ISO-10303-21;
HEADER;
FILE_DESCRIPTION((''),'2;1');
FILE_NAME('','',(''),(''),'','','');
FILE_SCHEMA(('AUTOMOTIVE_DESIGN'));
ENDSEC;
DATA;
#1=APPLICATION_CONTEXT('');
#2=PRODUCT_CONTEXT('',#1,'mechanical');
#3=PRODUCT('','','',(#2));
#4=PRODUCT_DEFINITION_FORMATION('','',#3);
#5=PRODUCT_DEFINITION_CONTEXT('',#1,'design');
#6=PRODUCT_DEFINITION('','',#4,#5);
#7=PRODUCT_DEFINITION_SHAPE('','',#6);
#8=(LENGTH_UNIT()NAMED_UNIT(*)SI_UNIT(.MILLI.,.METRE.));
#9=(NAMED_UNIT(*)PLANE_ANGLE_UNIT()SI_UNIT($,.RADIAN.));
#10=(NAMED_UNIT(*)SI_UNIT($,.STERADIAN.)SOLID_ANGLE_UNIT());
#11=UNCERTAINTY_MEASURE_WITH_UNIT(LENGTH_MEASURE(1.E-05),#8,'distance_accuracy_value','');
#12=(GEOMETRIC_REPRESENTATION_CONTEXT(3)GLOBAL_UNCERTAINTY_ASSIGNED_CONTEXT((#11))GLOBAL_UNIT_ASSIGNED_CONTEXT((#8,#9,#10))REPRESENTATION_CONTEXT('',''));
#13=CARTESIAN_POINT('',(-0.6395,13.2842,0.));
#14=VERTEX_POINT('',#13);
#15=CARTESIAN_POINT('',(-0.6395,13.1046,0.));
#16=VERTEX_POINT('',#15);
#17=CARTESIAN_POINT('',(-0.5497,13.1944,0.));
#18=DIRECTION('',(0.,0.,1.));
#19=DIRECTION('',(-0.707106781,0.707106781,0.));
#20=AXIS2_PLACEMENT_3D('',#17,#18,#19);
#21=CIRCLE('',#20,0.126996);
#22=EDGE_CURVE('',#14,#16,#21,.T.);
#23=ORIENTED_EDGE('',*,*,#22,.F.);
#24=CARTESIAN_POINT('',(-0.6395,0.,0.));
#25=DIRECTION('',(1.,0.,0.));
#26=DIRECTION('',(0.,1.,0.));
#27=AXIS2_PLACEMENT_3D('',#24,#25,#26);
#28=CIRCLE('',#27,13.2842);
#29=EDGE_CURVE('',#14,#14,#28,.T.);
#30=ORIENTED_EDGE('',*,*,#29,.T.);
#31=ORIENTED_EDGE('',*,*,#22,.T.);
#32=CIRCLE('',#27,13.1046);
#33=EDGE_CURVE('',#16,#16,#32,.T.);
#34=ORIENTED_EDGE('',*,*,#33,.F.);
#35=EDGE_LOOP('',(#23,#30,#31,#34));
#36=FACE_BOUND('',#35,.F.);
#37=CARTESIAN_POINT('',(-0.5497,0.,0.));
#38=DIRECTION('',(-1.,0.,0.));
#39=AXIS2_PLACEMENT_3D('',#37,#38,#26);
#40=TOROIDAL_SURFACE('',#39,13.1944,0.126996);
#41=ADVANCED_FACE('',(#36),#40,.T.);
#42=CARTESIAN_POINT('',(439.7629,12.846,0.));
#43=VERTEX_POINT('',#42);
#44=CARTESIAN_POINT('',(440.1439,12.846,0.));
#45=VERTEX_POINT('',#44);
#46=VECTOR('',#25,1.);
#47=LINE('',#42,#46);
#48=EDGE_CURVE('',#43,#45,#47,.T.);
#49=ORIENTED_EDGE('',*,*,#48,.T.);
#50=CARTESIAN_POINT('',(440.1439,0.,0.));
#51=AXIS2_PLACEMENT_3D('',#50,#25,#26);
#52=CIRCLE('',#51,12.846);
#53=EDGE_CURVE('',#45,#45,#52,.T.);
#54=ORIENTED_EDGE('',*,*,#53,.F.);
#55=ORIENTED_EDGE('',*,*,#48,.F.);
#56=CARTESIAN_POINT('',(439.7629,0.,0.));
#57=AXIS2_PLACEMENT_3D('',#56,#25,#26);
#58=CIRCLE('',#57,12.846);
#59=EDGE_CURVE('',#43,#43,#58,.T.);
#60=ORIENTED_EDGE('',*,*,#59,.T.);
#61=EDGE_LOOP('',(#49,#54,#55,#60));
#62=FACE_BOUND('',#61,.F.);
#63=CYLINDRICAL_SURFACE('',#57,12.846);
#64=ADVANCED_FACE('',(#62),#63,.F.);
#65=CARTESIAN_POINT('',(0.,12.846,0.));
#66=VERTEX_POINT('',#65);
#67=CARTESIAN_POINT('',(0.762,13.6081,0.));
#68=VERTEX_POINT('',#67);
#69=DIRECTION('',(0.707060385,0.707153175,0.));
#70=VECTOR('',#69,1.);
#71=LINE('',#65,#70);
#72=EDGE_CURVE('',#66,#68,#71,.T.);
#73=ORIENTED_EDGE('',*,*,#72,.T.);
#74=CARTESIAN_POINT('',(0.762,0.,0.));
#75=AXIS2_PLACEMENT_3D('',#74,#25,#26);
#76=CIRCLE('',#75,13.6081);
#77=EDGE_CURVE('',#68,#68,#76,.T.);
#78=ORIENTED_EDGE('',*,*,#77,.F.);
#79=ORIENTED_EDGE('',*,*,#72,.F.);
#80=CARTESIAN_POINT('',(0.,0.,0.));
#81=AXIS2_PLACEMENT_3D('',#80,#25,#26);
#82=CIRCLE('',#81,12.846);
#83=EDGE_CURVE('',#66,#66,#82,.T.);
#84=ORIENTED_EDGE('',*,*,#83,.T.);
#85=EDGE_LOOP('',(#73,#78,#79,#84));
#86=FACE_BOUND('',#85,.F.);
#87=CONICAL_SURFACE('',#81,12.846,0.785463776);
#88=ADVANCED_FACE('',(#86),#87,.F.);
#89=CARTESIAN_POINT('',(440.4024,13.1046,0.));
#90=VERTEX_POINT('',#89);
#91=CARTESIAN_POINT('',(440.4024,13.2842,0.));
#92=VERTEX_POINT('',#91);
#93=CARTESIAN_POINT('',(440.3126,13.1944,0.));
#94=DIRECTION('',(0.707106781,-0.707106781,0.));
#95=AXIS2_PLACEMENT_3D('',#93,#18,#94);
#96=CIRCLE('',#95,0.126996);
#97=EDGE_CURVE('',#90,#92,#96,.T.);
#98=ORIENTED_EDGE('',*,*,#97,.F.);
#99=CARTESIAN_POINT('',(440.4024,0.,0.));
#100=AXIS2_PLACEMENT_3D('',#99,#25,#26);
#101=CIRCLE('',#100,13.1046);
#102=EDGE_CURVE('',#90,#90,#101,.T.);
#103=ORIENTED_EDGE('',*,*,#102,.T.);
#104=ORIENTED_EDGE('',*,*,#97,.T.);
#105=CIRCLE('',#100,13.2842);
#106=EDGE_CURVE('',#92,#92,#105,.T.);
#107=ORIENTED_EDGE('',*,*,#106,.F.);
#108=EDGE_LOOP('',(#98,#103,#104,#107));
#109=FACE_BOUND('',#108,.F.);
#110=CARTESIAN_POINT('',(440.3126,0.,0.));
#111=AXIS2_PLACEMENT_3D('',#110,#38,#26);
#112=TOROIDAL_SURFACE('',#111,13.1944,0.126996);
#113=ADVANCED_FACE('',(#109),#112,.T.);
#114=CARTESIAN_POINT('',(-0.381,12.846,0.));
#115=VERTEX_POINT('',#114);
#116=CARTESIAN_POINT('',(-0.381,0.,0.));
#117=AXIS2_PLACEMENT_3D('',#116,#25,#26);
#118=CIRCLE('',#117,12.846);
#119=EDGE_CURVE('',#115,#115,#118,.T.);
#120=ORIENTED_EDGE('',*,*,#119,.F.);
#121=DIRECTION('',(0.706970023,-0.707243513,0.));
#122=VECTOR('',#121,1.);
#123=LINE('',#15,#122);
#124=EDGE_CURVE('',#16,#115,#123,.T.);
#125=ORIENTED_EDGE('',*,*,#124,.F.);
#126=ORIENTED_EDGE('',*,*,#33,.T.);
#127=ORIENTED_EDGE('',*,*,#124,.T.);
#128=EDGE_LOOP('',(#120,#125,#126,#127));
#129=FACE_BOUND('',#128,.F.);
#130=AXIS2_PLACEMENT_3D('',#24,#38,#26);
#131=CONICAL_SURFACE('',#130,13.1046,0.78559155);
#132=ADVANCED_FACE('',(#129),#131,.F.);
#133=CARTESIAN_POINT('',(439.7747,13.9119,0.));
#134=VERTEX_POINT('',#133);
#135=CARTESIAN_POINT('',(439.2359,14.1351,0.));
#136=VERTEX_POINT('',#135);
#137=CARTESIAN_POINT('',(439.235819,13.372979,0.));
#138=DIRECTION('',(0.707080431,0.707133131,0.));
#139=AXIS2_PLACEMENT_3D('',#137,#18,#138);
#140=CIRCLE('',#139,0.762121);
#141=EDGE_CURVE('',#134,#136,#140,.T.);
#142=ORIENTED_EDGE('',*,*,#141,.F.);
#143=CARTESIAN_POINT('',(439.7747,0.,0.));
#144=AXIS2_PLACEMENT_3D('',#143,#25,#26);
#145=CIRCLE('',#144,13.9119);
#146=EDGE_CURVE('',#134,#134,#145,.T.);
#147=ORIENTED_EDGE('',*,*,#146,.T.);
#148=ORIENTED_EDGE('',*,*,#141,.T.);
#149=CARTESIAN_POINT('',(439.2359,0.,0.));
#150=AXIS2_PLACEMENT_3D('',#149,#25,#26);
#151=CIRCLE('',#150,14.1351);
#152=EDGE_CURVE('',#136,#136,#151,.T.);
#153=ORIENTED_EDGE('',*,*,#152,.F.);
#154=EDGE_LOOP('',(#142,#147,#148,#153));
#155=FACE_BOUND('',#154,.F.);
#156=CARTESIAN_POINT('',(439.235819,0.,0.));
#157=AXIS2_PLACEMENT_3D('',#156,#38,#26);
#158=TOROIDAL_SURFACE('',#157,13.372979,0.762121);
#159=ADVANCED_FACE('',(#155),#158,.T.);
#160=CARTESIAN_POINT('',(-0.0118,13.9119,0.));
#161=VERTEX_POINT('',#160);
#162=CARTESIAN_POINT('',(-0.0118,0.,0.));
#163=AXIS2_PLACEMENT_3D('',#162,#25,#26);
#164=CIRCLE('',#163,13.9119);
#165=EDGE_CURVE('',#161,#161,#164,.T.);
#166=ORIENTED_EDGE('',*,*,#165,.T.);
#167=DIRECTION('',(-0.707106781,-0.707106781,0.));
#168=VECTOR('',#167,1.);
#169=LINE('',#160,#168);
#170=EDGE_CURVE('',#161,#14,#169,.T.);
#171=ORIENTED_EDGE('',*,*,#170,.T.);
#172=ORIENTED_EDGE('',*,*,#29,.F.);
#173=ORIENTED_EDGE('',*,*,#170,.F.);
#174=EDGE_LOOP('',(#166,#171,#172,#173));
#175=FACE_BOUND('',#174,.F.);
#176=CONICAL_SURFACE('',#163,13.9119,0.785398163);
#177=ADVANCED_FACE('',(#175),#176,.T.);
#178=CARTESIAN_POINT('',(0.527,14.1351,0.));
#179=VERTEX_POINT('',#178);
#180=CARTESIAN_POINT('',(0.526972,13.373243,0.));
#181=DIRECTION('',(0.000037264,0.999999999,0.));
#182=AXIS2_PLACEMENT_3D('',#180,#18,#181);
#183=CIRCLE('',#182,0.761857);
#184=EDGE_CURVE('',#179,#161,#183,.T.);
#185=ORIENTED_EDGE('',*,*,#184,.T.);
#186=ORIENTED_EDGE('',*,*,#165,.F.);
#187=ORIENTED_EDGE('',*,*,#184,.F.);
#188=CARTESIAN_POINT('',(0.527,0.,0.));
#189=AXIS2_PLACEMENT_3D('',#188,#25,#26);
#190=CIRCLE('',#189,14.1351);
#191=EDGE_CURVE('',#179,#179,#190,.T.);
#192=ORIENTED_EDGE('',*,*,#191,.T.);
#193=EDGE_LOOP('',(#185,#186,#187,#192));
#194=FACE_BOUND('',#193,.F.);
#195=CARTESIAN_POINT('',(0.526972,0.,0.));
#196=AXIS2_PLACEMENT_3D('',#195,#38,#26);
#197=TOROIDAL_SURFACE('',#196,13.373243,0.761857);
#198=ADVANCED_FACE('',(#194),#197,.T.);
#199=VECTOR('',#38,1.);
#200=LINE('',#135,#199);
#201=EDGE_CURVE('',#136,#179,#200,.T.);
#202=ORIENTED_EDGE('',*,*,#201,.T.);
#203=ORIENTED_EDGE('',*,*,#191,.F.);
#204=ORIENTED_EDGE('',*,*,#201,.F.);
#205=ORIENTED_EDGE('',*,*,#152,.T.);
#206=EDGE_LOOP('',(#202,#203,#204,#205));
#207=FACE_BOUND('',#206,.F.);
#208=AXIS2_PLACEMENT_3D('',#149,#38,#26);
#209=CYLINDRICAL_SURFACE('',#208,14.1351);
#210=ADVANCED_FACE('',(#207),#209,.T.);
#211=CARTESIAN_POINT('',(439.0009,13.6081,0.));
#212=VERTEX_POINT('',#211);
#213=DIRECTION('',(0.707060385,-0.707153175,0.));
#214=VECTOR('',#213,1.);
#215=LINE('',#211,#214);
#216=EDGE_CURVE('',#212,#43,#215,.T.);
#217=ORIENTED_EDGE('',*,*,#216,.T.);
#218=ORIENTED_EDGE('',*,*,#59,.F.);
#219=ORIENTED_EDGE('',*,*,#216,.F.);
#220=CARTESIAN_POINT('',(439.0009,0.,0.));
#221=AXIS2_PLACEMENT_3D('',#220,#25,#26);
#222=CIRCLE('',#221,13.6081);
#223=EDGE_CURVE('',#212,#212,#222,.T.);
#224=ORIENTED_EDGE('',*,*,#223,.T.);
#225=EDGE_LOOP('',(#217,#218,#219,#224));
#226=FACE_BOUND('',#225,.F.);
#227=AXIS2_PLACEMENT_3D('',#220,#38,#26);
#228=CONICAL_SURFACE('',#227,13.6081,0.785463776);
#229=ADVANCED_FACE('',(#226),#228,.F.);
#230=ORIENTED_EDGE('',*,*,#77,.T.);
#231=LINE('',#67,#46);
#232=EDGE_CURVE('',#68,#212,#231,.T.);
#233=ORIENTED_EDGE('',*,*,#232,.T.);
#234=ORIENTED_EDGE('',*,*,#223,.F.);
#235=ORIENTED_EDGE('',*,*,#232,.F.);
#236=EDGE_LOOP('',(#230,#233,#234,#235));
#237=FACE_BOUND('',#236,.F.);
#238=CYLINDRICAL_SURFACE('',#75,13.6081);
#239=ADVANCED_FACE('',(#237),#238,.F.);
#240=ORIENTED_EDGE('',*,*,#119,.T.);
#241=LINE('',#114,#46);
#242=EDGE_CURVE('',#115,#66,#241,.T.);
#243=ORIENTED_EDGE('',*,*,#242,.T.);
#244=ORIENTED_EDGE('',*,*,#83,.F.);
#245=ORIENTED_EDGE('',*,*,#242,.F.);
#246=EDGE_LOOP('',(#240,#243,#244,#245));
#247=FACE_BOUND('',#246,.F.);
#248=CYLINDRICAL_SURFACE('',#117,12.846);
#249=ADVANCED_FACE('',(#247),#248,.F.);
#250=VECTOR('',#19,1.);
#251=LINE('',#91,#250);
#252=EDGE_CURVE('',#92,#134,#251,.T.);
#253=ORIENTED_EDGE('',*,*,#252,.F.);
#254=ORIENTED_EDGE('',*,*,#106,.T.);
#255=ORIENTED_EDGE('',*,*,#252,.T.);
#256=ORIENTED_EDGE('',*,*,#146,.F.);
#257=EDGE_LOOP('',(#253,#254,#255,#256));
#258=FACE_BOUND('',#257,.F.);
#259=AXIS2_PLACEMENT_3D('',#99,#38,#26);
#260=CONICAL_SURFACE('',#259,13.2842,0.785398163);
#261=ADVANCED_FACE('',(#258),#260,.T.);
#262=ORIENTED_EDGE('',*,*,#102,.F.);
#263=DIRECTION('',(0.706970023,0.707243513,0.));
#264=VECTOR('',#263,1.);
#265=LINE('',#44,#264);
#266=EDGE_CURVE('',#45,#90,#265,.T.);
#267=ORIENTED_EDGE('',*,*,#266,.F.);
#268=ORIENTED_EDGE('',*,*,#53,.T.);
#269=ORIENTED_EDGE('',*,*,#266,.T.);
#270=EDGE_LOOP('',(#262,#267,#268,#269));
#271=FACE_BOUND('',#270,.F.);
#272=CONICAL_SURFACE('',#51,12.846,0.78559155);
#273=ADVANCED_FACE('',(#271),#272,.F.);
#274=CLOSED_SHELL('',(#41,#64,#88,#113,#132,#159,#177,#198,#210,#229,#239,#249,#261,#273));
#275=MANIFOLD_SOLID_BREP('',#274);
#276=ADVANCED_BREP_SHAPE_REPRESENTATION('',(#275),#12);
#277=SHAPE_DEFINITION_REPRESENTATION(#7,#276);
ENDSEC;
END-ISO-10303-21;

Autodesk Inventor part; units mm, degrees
sketch "Sketch_1" plane through (0, 0, 0) normal (0, 0, 1) x (1, 0, 0)
  line L0 (439.7629, 0) -> (0, 0)
  arc A0 (-0.6395, 13.2842) -> (-0.6395, 13.1046) centre (-0.5497, 13.1944) ccw
  line L1 (-0.6395, 13.1046) -> (-0.381, 12.846)
  line L2 (-0.381, 12.846) -> (0, 12.846)
  line L3 (0, 12.846) -> (0.762, 13.6081)
  line L4 (0.762, 13.6081) -> (439.0009, 13.6081)
  line L5 (439.0009, 13.6081) -> (439.7629, 12.846)
  line L6 (439.7629, 12.846) -> (440.1439, 12.846)
  line L7 (440.1439, 12.846) -> (440.4024, 13.1046)
  arc A1 (440.4024, 13.1046) -> (440.4024, 13.2842) centre (440.3126, 13.1944) ccw
  line L8 (440.4024, 13.2842) -> (439.7747, 13.9119)
  arc A2 (439.7747, 13.9119) -> (439.2359, 14.1351) centre (439.2359, 13.3731) ccw
  line L9 (439.2359, 14.1351) -> (0.527, 14.1351)
  arc A3 (0.527, 14.1351) -> (-0.0118, 13.9119) centre (0.527, 13.3731) ccw
  line L10 (-0.0118, 13.9119) -> (-0.6395, 13.2842)
revolve "Revolution1" add sketch "Sketch_1" angle 360 about axis through (439.7629, 0, 0) along (1, 0, 0)
ref_plane "tube_front_XY" through (0, 0, 0) normal (1, 0, 0) x (0, 0, -1)
ref_plane "tube_front_YZ" through (0, 0, 0) normal (0, 0, -1) x (0, 1, 0)
ref_plane "tube_front_ZX" through (0, 0, 0) normal (0, 1, 0) x (1, 0, 0)
ref_plane "tube_rear_XY" through (439.7629, 0, 0) normal (1, 0, 0) x (0, 0, -1)
ref_plane "tube_rear_YZ" through (439.7629, 0, 0) normal (0, 0, -1) x (0, 1, 0)
ref_plane "tube_rear_ZX" through (439.7629, 0, 0) normal (0, 1, 0) x (1, 0, 0)
ref_plane "cp1_XY" through (219.8815, 14.1351, 0) normal (1, 0, 0) x (0, 0, -1)
ref_plane "cp1_YZ" through (219.8815, 14.1351, 0) normal (0, 0, -1) x (0, 1, 0)
ref_plane "cp1_ZX" through (219.8815, 14.1351, 0) normal (0, 1, 0) x (1, 0, 0)
ref_plane "cp2_XY" through (219.8815, 0, -14.1351) normal (1, 0, 0) x (0, 0, -1)
ref_plane "cp2_YZ" through (219.8815, 0, -14.1351) normal (0, 0, -1) x (0, 1, 0)
ref_plane "cp2_ZX" through (219.8815, 0, -14.1351) normal (0, 1, 0) x (1, 0, 0)
ref_plane "cp3_XY" through (219.8815, -14.1351, 0) normal (1, 0, 0) x (0, 0, -1)
ref_plane "cp3_YZ" through (219.8815, -14.1351, 0) normal (0, 0, -1) x (0, 1, 0)
ref_plane "cp3_ZX" through (219.8815, -14.1351, 0) normal (0, 1, 0) x (1, 0, 0)
ref_plane "cp4_XY" through (219.8815, 0, 14.1351) normal (1, 0, 0) x (0, 0, -1)
ref_plane "cp4_YZ" through (219.8815, 0, 14.1351) normal (0, 0, -1) x (0, 1, 0)
ref_plane "cp4_ZX" through (219.8815, 0, 14.1351) normal (0, 1, 0) x (1, 0, 0)
properties part number "09R-17.31350" material "Stainless Steel"
